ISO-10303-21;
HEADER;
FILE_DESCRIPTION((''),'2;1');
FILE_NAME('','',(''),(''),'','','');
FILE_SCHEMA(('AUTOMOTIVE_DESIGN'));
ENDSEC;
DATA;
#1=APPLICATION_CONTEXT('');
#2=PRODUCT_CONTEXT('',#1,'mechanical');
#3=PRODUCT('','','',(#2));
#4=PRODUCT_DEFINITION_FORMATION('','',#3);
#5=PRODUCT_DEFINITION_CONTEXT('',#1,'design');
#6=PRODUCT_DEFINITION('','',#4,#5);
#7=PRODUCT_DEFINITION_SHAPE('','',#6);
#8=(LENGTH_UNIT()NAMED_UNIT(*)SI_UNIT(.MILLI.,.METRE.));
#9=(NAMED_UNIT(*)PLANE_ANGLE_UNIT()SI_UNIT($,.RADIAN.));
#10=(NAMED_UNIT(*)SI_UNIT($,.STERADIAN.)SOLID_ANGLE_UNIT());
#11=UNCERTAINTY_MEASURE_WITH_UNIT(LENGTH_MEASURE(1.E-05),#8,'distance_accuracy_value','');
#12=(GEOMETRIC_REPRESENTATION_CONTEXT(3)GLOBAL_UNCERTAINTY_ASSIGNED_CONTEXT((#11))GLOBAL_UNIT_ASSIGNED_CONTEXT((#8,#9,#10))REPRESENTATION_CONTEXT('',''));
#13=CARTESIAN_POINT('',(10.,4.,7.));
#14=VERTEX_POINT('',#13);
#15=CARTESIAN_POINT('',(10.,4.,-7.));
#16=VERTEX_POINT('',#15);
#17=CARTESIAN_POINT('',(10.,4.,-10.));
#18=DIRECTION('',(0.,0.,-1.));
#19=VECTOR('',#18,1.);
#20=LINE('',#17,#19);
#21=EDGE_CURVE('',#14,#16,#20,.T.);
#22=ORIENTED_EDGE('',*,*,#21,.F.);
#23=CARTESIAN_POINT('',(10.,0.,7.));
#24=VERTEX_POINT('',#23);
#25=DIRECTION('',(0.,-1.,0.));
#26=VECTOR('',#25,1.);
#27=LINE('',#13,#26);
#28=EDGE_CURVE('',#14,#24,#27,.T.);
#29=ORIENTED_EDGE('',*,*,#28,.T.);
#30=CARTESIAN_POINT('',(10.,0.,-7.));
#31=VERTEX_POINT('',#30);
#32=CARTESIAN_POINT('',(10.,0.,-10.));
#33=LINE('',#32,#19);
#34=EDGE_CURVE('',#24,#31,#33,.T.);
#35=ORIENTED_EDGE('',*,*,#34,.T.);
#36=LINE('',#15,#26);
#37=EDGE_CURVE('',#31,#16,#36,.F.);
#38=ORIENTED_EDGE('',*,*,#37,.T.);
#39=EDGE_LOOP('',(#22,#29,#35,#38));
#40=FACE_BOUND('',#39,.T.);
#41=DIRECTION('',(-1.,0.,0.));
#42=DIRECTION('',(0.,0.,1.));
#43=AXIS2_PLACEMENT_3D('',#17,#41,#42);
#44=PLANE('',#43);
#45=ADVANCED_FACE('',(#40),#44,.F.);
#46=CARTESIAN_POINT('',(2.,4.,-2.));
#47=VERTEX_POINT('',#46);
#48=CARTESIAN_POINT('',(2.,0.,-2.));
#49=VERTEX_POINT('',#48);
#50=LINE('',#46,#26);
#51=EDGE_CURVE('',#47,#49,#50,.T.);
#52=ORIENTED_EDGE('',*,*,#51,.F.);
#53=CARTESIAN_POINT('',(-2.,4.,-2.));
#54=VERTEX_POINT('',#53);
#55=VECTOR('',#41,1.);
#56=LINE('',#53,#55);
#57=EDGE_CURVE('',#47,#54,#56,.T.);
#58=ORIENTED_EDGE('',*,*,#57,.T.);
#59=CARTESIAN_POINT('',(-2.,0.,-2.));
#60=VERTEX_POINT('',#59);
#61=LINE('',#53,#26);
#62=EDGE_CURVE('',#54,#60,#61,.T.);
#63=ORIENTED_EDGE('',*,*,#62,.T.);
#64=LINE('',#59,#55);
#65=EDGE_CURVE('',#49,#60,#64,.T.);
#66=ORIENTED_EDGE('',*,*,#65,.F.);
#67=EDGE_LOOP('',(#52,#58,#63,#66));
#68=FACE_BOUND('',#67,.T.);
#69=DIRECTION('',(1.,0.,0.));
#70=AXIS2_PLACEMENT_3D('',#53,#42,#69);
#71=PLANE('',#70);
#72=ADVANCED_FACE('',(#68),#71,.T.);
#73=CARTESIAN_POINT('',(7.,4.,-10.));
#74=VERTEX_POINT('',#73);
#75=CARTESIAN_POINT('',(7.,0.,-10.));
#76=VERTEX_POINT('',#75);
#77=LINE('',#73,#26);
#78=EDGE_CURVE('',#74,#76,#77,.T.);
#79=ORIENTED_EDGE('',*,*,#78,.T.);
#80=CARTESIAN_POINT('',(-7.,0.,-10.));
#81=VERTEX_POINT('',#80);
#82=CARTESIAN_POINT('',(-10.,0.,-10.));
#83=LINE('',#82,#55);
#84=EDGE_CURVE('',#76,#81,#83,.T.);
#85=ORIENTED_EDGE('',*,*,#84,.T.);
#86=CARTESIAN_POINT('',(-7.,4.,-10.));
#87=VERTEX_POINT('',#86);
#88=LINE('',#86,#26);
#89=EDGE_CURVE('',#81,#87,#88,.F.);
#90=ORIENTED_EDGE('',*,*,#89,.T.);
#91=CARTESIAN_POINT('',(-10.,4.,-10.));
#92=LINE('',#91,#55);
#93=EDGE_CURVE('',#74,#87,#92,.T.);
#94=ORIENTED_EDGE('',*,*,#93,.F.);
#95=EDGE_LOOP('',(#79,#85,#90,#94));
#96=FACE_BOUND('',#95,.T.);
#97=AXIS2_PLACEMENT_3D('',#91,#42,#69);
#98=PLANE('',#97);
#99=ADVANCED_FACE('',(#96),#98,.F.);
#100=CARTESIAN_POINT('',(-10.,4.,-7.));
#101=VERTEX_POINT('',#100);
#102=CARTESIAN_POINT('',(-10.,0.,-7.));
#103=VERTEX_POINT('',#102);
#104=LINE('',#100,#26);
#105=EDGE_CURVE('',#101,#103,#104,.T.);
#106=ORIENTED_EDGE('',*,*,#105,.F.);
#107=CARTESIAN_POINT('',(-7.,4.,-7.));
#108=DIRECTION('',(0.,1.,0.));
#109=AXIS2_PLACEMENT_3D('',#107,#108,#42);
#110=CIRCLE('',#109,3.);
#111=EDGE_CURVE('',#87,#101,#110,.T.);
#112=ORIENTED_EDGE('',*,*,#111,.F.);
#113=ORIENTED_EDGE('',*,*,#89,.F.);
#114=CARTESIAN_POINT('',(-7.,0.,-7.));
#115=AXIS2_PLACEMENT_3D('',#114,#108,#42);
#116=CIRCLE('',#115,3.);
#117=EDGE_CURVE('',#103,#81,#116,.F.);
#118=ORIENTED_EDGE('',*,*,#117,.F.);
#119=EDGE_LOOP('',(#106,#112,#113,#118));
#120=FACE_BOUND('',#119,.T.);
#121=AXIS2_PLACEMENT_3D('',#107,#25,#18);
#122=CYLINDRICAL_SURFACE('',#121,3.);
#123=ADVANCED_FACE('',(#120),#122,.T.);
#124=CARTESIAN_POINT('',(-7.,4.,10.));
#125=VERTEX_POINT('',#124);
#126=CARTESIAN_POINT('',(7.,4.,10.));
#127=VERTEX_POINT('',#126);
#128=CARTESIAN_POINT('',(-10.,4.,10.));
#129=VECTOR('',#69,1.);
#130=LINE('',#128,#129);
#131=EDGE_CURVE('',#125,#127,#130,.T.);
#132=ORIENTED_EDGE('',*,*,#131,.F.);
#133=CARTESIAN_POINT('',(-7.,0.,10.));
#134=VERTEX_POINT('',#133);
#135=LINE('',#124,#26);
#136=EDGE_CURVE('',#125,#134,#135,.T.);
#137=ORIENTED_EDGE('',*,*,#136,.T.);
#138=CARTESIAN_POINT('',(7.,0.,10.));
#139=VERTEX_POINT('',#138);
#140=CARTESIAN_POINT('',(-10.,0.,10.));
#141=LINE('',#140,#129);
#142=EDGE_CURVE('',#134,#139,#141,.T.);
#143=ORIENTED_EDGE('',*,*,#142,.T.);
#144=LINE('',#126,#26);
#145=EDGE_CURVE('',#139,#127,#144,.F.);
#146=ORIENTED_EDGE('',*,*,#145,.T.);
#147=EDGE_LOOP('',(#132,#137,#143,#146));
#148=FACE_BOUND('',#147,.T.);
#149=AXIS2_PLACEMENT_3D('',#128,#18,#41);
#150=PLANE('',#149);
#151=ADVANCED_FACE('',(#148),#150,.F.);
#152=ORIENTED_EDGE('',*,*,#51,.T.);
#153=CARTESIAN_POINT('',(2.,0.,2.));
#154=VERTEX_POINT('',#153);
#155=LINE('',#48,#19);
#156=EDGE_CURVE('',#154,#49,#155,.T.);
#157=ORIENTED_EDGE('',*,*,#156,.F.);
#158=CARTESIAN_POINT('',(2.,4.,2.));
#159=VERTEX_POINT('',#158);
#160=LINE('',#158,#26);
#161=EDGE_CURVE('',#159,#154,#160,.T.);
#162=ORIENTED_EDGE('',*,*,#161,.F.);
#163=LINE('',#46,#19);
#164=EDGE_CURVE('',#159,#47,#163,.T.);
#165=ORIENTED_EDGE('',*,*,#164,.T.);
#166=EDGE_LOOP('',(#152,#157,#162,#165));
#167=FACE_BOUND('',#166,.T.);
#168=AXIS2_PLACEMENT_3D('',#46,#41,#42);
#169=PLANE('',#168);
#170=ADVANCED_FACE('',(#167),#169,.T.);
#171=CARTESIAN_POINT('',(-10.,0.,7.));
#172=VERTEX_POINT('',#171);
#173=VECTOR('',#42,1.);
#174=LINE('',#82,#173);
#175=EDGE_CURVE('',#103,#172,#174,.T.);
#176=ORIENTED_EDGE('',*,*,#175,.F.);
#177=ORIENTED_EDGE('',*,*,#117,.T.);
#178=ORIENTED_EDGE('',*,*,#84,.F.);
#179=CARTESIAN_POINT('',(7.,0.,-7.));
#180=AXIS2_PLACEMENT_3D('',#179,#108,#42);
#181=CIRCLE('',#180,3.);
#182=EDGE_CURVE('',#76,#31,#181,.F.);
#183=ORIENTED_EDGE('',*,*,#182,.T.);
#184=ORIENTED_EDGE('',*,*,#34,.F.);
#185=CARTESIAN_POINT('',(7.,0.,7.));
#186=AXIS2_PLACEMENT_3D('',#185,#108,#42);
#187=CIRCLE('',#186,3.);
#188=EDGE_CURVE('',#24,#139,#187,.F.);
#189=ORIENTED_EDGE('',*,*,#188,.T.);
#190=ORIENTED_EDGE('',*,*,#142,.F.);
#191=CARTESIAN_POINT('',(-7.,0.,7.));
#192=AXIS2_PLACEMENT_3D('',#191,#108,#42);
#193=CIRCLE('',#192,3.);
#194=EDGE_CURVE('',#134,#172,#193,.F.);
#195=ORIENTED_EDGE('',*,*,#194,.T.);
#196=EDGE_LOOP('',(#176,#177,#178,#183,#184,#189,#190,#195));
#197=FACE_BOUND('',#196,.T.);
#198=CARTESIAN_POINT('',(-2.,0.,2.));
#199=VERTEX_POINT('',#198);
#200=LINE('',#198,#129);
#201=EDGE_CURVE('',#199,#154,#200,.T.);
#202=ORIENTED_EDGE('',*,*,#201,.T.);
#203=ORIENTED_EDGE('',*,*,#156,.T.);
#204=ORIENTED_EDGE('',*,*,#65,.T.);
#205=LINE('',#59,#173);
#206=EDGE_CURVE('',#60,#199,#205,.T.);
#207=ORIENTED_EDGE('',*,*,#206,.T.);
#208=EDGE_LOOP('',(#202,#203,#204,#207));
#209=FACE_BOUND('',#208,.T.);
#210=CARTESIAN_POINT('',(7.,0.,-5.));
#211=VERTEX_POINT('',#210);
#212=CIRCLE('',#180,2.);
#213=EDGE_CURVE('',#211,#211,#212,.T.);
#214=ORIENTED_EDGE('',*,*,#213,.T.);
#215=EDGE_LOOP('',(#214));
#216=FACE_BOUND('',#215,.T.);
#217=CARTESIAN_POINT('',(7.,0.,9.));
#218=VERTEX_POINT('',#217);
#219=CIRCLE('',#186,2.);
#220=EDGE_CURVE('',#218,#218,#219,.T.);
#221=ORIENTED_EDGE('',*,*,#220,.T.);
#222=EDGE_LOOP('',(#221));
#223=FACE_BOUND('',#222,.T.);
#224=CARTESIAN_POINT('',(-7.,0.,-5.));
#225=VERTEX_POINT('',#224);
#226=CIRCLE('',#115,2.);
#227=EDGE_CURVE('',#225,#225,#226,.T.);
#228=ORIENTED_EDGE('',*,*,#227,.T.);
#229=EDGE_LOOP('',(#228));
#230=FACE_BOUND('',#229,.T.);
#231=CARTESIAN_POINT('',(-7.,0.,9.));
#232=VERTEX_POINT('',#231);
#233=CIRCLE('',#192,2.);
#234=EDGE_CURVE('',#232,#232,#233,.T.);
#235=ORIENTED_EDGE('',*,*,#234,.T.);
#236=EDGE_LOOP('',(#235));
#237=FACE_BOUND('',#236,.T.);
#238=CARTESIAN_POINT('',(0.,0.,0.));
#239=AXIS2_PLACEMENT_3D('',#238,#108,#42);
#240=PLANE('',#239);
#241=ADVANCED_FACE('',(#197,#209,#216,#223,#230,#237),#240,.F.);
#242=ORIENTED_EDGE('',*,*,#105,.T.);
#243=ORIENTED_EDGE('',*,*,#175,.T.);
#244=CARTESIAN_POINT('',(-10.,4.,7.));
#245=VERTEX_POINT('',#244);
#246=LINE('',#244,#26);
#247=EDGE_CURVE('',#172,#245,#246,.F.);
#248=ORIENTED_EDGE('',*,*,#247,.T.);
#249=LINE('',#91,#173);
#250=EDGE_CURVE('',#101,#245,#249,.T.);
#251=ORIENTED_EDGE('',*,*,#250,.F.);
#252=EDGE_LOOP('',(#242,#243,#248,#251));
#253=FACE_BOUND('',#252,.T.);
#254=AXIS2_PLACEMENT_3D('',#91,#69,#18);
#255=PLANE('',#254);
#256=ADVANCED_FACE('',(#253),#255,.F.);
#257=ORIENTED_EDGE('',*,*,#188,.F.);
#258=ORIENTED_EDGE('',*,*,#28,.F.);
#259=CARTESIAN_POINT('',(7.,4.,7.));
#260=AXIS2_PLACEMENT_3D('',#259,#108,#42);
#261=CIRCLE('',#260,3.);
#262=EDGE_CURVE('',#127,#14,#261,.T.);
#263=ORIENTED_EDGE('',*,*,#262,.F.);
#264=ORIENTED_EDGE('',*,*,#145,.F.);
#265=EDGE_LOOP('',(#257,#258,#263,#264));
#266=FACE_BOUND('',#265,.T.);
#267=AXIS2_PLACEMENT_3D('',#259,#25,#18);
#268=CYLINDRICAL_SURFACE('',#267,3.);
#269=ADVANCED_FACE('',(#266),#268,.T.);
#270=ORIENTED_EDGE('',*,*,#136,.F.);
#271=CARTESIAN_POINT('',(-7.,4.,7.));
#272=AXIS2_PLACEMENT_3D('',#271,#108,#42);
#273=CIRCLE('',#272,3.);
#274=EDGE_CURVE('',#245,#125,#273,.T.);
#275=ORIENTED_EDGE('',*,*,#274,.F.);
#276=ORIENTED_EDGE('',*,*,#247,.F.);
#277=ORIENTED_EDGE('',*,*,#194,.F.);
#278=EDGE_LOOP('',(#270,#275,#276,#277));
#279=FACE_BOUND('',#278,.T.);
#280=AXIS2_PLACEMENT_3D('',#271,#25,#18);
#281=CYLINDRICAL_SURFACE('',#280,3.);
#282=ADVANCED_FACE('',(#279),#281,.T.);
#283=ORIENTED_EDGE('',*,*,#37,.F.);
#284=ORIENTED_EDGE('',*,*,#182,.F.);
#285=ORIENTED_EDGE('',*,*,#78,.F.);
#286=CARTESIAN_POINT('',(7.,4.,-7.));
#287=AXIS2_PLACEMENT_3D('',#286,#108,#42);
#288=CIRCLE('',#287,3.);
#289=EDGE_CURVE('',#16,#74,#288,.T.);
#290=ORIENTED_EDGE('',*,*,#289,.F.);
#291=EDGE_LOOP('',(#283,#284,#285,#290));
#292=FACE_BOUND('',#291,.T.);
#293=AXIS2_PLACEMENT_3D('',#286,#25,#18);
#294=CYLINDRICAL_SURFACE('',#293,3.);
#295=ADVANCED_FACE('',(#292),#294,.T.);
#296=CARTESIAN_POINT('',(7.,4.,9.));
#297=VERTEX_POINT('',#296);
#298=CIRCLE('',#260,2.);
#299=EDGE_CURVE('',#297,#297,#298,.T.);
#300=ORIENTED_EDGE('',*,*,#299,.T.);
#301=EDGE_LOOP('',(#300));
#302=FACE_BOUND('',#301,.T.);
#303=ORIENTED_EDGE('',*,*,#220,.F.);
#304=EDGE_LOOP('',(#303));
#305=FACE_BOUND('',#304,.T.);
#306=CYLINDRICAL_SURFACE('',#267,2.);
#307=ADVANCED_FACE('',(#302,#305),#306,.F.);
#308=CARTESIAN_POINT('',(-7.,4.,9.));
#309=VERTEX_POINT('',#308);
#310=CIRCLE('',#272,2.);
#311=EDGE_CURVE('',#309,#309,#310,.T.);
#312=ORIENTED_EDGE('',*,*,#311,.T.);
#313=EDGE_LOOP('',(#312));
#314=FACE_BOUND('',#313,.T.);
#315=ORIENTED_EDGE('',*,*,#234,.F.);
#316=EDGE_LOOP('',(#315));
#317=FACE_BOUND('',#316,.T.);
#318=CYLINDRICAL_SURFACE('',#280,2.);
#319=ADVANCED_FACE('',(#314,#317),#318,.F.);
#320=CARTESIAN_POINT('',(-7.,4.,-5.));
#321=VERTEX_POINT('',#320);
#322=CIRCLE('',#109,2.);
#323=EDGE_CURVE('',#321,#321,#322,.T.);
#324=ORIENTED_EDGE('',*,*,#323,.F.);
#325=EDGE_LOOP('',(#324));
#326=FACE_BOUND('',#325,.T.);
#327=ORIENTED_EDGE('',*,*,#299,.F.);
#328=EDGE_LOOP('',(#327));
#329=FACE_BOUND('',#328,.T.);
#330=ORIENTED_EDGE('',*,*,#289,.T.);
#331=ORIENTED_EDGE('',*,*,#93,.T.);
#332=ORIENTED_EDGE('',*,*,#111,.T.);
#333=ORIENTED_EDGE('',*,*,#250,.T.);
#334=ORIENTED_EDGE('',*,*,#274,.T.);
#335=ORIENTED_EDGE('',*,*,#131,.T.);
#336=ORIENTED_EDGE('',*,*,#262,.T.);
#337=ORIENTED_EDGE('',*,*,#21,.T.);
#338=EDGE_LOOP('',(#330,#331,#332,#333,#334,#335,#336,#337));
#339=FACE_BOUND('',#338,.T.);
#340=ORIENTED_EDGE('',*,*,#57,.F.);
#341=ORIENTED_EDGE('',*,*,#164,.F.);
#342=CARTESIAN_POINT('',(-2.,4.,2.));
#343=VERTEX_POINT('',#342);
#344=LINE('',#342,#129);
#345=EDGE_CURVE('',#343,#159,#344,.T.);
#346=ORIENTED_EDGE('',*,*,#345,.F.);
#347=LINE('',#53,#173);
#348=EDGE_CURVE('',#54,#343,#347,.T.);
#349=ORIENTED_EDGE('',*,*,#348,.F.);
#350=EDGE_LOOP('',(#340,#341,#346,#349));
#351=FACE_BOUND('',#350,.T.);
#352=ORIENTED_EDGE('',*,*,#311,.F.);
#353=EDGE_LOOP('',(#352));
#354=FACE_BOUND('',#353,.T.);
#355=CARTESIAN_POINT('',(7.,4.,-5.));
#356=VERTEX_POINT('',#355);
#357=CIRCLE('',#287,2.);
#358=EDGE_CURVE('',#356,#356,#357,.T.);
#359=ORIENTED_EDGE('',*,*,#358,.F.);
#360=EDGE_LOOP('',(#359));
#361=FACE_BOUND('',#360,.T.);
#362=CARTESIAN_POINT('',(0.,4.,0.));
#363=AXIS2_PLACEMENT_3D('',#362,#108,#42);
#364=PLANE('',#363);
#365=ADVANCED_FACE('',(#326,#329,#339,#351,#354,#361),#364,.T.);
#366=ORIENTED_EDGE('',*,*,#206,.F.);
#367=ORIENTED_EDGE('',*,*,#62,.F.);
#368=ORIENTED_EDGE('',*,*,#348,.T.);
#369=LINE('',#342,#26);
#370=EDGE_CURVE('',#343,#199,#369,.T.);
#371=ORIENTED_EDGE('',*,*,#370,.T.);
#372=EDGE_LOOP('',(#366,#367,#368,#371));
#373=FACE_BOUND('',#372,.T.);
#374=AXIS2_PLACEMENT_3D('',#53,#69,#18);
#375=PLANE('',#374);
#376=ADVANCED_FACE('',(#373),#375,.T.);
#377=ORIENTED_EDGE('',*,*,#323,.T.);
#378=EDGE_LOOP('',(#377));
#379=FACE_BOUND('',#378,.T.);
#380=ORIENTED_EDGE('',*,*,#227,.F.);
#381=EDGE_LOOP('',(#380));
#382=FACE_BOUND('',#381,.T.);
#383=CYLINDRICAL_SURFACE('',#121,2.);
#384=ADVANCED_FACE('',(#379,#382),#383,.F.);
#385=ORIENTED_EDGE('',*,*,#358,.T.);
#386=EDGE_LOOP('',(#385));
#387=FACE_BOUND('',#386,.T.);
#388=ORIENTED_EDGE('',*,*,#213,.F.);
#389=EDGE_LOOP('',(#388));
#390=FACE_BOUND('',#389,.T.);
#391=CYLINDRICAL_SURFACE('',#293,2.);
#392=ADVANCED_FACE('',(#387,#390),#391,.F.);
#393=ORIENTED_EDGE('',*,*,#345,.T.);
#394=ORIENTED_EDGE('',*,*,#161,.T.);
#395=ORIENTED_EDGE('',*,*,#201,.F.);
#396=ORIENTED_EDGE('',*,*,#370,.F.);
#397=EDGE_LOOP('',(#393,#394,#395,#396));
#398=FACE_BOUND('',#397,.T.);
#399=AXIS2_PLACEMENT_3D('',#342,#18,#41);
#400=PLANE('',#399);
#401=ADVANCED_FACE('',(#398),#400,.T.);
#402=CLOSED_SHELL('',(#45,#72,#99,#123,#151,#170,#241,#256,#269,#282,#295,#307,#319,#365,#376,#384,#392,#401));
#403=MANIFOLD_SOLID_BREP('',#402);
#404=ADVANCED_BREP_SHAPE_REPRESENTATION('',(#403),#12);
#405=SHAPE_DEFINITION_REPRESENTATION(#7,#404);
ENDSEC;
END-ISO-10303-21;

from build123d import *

# Parameters (mm, degrees)
SKETCH2_W           = 20
SKETCH2_H           = 20
SKETCH2_R           = 2
SKETCH2_W_2         = 4
SKETCH2_H_2         = 4
BOSS_EXTRUDE1_DEPTH = 4
FILLET3_R           = 3


with BuildPart() as part:
    # Sketch2 → Boss-Extrude1 (new body)
    with BuildSketch(Plane(origin=(0, 0, 0), x_dir=(1, 0, 0), z_dir=(0, 1, 0))):
        Rectangle(SKETCH2_W, SKETCH2_H)
        with Locations(Location((-7, 7, 0), (0, 0, 270))):
            Circle(SKETCH2_R, mode=Mode.SUBTRACT)
        with Locations(Location((7, 7, 0), (0, 0, 270))):
            Circle(SKETCH2_R, mode=Mode.SUBTRACT)
        with Locations(Location((7, -7, 0), (0, 0, 270))):
            Circle(SKETCH2_R, mode=Mode.SUBTRACT)
        with Locations(Location((-7, -7, 0), (0, 0, 270))):
            Circle(SKETCH2_R, mode=Mode.SUBTRACT)
        Rectangle(SKETCH2_W_2, SKETCH2_H_2, mode=Mode.SUBTRACT)
    extrude(amount=BOSS_EXTRUDE1_DEPTH)

    # Fillet3
    fillet3_edges = [part.edges().sort_by_distance(p)[0] for p in [
        (-10, 2, -10),
        (10, 2, -10),
        (10, 2, 10),
        (-10, 2, 10),
    ]]
    fillet(fillet3_edges, radius=FILLET3_R)


solid = part.part
